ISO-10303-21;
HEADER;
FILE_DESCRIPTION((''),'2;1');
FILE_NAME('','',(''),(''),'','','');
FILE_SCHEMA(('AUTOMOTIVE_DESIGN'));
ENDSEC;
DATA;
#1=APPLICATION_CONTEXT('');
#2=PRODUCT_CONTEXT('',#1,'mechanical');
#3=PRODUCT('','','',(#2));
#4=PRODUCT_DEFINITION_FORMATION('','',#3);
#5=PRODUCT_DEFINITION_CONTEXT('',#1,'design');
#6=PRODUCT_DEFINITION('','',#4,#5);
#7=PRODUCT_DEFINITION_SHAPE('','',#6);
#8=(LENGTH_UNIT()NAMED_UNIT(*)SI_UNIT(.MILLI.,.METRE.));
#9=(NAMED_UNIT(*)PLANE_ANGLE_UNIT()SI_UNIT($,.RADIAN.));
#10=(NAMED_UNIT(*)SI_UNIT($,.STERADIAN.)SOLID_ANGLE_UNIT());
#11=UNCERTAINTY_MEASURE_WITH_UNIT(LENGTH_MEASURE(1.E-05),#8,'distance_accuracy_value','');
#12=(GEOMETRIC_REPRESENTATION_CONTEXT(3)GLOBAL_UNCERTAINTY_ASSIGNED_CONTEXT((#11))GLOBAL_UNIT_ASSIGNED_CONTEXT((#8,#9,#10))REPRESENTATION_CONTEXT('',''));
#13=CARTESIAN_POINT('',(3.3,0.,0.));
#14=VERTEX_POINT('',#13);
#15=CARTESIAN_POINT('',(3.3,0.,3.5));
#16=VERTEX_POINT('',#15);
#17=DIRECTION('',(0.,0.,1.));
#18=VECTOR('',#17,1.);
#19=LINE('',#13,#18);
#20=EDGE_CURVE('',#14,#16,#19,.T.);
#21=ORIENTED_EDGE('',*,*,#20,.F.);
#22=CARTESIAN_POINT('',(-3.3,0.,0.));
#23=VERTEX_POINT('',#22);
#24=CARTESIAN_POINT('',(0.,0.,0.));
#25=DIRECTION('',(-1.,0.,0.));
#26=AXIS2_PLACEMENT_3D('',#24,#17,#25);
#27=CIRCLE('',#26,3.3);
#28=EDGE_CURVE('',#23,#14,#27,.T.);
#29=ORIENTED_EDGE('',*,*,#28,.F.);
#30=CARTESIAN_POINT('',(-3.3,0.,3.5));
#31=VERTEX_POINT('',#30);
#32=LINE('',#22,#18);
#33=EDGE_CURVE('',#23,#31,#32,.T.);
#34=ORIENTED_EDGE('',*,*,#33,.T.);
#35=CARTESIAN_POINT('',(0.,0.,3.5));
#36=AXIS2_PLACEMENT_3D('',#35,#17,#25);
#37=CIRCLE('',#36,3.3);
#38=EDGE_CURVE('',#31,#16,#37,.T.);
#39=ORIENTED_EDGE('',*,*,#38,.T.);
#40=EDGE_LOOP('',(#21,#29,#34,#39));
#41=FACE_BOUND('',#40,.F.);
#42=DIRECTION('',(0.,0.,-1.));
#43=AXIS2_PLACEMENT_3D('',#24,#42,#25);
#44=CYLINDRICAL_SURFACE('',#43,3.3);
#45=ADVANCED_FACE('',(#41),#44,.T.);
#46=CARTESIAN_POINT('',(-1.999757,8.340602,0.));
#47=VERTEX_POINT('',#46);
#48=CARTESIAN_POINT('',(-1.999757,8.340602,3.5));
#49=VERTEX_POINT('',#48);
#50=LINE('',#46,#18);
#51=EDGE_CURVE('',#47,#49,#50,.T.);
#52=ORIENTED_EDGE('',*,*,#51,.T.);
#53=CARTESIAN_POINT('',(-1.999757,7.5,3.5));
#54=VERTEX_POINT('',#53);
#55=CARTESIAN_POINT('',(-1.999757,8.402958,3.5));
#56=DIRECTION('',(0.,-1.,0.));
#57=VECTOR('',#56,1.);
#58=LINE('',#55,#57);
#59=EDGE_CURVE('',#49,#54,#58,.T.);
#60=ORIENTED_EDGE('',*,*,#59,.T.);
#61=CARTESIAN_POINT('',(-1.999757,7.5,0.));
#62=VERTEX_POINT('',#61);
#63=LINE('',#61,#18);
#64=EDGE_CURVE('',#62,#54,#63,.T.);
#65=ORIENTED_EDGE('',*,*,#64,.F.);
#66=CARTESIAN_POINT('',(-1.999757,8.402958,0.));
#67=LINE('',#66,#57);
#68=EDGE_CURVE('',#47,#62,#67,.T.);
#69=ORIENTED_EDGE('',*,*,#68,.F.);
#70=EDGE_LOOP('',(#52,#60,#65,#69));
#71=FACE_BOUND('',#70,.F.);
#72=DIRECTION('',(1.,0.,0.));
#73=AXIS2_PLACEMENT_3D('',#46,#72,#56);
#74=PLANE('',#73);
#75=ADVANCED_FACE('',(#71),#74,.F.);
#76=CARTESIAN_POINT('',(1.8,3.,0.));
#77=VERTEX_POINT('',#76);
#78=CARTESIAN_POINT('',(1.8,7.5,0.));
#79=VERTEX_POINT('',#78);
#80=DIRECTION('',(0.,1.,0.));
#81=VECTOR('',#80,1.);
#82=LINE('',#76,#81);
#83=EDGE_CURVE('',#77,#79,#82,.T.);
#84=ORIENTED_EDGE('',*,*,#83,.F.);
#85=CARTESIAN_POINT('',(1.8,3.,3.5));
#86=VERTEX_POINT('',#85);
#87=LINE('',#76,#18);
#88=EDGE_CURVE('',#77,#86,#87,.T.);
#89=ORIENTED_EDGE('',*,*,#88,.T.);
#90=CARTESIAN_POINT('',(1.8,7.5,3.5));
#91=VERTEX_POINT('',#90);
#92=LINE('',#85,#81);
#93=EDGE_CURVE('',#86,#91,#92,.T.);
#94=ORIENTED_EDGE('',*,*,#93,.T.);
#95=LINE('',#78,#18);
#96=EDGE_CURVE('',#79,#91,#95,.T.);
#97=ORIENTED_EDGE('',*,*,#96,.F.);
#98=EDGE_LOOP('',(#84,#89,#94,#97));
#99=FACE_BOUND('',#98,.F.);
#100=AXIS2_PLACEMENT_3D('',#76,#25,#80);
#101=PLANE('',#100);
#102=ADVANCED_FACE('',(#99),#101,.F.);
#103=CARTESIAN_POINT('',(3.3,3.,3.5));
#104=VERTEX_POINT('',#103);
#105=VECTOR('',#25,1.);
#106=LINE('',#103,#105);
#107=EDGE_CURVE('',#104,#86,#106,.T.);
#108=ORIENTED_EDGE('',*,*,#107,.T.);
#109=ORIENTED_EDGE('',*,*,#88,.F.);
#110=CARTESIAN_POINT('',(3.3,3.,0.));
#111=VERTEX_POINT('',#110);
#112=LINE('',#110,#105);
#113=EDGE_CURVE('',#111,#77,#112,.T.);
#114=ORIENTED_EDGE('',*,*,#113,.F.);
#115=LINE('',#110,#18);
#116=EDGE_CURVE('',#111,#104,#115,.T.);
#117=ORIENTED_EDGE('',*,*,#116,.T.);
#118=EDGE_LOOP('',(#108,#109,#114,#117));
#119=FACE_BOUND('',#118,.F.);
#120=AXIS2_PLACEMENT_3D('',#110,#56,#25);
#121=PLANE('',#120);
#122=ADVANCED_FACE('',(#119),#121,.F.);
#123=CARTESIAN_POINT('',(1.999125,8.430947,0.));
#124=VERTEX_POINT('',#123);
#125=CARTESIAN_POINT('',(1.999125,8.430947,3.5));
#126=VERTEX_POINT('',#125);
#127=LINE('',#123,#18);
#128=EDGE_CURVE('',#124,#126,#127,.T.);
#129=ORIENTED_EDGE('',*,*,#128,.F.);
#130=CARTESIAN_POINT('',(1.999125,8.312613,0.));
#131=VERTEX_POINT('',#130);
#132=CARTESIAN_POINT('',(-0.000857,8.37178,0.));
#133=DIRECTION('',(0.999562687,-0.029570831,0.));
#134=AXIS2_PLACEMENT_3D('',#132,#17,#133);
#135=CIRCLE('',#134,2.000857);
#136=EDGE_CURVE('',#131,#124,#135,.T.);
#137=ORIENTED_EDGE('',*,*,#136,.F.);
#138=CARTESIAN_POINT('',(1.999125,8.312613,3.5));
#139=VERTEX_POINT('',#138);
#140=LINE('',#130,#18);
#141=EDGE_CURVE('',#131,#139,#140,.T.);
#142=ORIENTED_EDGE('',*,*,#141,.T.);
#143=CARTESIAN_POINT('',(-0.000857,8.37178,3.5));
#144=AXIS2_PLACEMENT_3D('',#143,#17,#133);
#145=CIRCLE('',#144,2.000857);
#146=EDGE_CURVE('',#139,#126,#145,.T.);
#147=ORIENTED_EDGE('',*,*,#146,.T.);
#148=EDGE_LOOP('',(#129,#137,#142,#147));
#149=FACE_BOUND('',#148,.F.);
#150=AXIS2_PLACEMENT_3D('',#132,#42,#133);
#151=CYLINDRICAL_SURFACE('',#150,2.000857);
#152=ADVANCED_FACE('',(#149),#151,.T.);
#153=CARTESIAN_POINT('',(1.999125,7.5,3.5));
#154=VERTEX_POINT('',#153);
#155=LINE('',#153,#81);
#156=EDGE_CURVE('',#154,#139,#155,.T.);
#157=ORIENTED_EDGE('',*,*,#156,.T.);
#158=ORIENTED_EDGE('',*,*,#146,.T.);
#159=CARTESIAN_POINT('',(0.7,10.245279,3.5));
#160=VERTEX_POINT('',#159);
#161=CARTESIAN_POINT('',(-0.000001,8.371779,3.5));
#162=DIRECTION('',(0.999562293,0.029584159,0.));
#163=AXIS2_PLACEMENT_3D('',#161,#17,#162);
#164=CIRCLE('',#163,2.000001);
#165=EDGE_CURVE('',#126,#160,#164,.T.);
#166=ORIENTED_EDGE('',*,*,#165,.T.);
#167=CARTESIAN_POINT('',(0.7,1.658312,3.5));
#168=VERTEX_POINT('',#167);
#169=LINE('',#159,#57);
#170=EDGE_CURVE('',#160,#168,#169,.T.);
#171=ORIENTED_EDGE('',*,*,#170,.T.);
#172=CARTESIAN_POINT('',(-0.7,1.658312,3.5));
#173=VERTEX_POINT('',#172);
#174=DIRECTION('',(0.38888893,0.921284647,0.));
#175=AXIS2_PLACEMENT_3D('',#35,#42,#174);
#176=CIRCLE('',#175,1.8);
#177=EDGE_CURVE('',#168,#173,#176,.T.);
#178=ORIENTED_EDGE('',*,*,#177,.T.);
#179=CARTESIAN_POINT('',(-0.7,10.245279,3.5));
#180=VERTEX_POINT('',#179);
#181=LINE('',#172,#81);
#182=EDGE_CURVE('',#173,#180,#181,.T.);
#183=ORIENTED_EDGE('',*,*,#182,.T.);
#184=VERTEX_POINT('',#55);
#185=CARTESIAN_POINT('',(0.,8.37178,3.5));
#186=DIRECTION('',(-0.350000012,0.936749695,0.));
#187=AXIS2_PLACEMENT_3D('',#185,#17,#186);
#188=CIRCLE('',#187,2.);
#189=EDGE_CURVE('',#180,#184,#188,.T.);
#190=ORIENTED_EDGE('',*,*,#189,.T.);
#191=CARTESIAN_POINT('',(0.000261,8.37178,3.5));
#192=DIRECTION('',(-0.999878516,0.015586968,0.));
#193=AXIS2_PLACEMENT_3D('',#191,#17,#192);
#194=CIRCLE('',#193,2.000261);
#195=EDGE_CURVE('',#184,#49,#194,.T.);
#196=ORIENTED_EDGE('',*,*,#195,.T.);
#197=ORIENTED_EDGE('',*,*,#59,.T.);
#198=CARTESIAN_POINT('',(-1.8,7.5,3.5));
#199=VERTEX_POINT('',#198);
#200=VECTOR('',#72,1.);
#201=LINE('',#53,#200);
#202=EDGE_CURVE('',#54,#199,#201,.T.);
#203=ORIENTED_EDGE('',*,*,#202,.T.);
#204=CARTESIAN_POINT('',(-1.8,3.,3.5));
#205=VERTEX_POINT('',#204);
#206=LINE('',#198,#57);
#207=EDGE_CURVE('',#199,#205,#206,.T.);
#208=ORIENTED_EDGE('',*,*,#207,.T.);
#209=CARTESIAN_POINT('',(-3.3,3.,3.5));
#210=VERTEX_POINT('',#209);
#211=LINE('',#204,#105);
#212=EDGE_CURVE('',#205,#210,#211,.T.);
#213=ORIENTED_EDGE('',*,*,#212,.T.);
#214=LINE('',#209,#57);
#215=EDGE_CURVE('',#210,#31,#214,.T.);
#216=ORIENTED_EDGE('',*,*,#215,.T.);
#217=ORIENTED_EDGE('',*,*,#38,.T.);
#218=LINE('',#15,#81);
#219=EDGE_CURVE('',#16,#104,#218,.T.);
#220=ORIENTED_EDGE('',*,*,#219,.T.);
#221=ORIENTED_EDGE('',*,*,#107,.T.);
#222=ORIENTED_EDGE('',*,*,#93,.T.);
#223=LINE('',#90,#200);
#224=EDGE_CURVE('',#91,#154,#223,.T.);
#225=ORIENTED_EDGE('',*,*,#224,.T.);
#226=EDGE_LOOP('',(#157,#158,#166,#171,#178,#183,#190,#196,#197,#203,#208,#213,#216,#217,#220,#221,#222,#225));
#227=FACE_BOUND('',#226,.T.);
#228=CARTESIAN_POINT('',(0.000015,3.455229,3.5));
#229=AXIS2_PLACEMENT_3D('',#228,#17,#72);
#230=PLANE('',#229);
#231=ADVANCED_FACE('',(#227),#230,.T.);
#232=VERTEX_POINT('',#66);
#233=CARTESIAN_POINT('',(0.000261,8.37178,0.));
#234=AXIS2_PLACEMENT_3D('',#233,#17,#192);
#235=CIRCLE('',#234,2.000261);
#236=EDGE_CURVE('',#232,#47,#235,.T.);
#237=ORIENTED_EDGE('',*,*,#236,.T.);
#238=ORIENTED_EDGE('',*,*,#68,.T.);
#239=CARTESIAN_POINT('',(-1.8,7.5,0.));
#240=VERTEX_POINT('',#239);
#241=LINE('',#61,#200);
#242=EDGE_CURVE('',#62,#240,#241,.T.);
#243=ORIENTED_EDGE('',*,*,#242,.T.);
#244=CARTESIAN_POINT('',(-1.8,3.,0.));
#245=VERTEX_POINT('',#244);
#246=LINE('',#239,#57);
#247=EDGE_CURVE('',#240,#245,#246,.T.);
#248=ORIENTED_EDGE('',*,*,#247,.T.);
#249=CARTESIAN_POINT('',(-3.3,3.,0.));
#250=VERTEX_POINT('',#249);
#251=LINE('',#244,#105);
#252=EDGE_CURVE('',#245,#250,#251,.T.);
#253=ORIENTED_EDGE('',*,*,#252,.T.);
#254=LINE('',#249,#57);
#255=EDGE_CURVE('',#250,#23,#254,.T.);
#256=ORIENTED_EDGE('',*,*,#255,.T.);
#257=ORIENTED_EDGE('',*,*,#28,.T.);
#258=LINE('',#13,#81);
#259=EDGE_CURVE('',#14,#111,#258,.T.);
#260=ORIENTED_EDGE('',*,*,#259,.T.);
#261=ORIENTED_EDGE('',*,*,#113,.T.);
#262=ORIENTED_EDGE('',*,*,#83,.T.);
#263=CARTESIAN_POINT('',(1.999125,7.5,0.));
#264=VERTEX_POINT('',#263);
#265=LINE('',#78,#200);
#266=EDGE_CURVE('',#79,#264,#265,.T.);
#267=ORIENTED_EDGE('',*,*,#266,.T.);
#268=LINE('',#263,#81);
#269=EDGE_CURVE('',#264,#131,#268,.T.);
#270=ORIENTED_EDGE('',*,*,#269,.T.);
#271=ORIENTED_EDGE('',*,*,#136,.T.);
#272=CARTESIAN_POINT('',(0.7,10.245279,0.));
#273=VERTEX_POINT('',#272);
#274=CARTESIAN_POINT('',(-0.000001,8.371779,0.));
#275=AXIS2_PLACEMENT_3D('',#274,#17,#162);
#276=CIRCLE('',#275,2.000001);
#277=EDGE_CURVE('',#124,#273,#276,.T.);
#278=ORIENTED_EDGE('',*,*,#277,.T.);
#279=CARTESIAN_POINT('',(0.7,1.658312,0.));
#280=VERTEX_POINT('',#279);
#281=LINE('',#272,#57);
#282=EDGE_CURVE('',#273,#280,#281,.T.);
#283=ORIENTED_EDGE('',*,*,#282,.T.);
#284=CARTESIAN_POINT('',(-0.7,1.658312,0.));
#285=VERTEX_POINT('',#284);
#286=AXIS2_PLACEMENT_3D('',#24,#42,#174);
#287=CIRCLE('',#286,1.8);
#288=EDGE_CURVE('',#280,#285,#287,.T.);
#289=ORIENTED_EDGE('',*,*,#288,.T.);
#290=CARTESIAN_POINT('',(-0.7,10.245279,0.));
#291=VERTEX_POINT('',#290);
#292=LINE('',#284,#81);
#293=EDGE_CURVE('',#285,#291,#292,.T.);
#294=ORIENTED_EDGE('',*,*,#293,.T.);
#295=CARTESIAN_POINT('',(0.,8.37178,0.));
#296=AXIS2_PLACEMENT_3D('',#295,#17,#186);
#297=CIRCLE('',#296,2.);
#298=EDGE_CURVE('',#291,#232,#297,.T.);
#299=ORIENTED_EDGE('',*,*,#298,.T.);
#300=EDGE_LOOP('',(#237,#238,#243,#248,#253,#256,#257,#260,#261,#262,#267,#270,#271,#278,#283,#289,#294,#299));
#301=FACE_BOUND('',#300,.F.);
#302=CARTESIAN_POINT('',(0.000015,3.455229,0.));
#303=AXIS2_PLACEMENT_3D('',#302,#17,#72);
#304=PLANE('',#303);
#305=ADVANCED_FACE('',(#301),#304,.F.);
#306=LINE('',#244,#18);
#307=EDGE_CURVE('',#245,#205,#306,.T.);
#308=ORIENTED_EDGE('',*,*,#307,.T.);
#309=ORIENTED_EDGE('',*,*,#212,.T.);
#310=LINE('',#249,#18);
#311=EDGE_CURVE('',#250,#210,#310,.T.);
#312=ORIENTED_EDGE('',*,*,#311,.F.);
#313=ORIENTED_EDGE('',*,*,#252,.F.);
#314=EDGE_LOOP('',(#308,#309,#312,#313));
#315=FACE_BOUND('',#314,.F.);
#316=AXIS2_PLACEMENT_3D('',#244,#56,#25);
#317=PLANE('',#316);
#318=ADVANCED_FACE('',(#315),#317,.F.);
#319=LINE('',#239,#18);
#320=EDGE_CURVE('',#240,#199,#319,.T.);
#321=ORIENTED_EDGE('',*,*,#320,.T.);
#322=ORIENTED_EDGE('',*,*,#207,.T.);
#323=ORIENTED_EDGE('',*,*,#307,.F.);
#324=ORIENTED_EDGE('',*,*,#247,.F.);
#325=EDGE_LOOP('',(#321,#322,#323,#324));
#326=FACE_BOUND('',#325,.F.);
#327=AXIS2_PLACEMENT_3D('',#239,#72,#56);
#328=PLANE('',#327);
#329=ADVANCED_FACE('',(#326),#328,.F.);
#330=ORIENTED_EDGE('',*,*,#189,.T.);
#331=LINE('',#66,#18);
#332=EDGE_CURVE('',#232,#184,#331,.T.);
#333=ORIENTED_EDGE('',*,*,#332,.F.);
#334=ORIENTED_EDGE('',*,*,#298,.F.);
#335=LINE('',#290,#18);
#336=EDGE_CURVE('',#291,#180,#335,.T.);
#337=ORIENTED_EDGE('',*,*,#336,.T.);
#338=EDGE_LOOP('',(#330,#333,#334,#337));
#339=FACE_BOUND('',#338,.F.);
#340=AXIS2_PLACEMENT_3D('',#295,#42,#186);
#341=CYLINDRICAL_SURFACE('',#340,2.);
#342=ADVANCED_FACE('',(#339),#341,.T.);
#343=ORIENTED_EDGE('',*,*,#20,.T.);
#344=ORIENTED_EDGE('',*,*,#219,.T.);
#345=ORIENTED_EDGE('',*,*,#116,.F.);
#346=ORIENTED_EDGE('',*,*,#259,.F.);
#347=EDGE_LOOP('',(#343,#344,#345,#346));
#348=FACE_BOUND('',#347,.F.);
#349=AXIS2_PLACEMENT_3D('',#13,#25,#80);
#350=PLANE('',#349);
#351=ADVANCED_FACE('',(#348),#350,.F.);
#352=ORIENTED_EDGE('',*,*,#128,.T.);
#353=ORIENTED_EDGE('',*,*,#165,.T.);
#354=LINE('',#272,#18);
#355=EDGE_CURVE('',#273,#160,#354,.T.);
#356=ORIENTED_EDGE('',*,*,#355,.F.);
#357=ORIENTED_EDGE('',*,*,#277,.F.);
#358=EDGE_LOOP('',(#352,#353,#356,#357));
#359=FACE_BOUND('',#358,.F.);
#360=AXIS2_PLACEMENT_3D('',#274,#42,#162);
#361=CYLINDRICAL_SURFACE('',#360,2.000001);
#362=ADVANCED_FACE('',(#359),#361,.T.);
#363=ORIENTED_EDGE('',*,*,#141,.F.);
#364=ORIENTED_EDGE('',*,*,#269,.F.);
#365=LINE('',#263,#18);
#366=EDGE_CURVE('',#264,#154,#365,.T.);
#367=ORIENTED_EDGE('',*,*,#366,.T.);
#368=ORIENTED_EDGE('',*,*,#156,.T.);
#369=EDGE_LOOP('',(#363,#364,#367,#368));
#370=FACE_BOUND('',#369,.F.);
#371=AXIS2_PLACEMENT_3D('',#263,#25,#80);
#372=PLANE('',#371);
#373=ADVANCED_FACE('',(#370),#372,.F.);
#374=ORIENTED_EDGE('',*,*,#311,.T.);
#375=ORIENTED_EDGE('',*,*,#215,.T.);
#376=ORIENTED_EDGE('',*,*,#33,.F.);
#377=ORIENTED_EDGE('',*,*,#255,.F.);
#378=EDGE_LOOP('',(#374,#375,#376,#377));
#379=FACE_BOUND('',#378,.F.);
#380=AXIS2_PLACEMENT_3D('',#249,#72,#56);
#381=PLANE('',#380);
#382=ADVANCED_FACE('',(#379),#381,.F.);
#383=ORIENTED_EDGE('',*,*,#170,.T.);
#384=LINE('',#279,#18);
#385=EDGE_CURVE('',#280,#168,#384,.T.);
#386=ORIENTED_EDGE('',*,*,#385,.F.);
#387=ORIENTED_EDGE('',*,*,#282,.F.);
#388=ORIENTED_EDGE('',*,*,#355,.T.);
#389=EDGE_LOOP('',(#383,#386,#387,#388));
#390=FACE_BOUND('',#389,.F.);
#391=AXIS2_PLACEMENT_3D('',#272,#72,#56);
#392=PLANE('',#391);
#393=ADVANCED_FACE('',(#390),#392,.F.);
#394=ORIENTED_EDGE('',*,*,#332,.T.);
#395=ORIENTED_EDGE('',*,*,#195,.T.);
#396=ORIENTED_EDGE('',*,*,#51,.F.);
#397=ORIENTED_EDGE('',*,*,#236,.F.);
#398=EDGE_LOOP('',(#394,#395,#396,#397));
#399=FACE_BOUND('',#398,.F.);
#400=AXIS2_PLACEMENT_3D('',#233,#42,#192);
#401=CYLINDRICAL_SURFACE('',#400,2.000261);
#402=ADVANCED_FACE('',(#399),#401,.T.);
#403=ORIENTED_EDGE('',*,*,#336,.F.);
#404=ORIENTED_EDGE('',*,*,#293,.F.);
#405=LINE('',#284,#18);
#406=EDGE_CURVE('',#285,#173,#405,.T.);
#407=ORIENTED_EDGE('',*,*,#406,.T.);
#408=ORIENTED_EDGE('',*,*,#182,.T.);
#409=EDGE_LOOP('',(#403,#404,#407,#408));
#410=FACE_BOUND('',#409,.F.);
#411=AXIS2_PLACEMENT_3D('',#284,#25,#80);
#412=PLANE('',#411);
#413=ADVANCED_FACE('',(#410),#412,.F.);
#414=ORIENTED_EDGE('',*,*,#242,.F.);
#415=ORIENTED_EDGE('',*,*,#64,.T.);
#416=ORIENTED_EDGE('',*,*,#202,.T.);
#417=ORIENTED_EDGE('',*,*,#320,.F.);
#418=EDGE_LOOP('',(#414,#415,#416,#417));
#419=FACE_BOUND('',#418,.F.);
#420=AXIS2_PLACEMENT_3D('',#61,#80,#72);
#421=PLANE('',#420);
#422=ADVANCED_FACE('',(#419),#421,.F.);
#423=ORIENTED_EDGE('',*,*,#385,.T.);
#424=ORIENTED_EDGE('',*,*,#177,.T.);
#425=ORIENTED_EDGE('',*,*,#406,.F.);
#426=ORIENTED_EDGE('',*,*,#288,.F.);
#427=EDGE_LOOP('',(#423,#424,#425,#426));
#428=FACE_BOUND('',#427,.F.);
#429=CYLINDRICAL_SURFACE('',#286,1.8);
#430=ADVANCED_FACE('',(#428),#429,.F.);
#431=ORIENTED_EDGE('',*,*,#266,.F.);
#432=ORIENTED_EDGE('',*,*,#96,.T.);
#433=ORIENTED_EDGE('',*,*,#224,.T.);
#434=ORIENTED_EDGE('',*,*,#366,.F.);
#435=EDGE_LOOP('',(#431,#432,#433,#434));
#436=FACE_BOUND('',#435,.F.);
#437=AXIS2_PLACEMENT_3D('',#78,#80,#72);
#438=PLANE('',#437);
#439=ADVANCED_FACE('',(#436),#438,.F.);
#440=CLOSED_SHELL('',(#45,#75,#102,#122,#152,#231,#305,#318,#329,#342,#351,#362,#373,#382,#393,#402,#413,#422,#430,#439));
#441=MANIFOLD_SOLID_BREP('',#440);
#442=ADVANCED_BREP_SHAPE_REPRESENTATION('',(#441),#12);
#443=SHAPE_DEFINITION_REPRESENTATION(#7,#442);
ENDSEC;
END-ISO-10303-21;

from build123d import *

# Parameters (mm, degrees)
F1_DEPTH = 3.5


with BuildPart() as f1:
    # F0 (on Top) → F1 (new body)
    with BuildSketch(Plane.XY):
        with BuildLine():
            ThreePointArc((0.7, 1.658312), (0, -1.8), (-0.7, 1.658312))
            Line((-0.7, 1.658312), (-0.7, 10.245279))
            ThreePointArc((-0.7, 10.245279), (-1.63423, 9.524729), (-1.999757, 8.402958))
            Line((-1.999757, 8.402958), (-1.999757, 8.340602))
            Line((-1.999757, 8.340602), (-1.999757, 7.5))
            Line((-1.999757, 7.5), (-1.8, 7.5))
            Line((-1.8, 7.5), (-1.8, 3))
            Line((-1.8, 3), (-3.3, 3))
            Line((-3.3, 3), (-3.3, 0))
            ThreePointArc((-3.3, 0), (0, -3.3), (3.3, 0))
            Line((3.3, 0), (3.3, 3))
            Line((3.3, 3), (1.8, 3))
            Line((1.8, 3), (1.8, 7.5))
            Line((1.8, 7.5), (1.999125, 7.5))
            Line((1.999125, 7.5), (1.999125, 8.312613))
            Line((1.999125, 8.312613), (1.999125, 8.430947))
            ThreePointArc((1.999125, 8.430947), (1.626121, 9.536138), (0.7, 10.245279))
            Line((0.7, 10.245279), (0.7, 1.658312))
        make_face()
        with BuildLine():
            Line((-1.999757, 8.340602), (-1.999757, 8.402958))
            ThreePointArc((-1.999757, 8.402958), (-2, 8.37178), (-1.999757, 8.340602))
        make_face()
        with BuildLine():
            ThreePointArc((1.999125, 8.312613), (2, 8.37178), (1.999125, 8.430947))
            Line((1.999125, 8.430947), (1.999125, 8.312613))
        make_face()
    extrude(amount=F1_DEPTH)


solid = f1.part
